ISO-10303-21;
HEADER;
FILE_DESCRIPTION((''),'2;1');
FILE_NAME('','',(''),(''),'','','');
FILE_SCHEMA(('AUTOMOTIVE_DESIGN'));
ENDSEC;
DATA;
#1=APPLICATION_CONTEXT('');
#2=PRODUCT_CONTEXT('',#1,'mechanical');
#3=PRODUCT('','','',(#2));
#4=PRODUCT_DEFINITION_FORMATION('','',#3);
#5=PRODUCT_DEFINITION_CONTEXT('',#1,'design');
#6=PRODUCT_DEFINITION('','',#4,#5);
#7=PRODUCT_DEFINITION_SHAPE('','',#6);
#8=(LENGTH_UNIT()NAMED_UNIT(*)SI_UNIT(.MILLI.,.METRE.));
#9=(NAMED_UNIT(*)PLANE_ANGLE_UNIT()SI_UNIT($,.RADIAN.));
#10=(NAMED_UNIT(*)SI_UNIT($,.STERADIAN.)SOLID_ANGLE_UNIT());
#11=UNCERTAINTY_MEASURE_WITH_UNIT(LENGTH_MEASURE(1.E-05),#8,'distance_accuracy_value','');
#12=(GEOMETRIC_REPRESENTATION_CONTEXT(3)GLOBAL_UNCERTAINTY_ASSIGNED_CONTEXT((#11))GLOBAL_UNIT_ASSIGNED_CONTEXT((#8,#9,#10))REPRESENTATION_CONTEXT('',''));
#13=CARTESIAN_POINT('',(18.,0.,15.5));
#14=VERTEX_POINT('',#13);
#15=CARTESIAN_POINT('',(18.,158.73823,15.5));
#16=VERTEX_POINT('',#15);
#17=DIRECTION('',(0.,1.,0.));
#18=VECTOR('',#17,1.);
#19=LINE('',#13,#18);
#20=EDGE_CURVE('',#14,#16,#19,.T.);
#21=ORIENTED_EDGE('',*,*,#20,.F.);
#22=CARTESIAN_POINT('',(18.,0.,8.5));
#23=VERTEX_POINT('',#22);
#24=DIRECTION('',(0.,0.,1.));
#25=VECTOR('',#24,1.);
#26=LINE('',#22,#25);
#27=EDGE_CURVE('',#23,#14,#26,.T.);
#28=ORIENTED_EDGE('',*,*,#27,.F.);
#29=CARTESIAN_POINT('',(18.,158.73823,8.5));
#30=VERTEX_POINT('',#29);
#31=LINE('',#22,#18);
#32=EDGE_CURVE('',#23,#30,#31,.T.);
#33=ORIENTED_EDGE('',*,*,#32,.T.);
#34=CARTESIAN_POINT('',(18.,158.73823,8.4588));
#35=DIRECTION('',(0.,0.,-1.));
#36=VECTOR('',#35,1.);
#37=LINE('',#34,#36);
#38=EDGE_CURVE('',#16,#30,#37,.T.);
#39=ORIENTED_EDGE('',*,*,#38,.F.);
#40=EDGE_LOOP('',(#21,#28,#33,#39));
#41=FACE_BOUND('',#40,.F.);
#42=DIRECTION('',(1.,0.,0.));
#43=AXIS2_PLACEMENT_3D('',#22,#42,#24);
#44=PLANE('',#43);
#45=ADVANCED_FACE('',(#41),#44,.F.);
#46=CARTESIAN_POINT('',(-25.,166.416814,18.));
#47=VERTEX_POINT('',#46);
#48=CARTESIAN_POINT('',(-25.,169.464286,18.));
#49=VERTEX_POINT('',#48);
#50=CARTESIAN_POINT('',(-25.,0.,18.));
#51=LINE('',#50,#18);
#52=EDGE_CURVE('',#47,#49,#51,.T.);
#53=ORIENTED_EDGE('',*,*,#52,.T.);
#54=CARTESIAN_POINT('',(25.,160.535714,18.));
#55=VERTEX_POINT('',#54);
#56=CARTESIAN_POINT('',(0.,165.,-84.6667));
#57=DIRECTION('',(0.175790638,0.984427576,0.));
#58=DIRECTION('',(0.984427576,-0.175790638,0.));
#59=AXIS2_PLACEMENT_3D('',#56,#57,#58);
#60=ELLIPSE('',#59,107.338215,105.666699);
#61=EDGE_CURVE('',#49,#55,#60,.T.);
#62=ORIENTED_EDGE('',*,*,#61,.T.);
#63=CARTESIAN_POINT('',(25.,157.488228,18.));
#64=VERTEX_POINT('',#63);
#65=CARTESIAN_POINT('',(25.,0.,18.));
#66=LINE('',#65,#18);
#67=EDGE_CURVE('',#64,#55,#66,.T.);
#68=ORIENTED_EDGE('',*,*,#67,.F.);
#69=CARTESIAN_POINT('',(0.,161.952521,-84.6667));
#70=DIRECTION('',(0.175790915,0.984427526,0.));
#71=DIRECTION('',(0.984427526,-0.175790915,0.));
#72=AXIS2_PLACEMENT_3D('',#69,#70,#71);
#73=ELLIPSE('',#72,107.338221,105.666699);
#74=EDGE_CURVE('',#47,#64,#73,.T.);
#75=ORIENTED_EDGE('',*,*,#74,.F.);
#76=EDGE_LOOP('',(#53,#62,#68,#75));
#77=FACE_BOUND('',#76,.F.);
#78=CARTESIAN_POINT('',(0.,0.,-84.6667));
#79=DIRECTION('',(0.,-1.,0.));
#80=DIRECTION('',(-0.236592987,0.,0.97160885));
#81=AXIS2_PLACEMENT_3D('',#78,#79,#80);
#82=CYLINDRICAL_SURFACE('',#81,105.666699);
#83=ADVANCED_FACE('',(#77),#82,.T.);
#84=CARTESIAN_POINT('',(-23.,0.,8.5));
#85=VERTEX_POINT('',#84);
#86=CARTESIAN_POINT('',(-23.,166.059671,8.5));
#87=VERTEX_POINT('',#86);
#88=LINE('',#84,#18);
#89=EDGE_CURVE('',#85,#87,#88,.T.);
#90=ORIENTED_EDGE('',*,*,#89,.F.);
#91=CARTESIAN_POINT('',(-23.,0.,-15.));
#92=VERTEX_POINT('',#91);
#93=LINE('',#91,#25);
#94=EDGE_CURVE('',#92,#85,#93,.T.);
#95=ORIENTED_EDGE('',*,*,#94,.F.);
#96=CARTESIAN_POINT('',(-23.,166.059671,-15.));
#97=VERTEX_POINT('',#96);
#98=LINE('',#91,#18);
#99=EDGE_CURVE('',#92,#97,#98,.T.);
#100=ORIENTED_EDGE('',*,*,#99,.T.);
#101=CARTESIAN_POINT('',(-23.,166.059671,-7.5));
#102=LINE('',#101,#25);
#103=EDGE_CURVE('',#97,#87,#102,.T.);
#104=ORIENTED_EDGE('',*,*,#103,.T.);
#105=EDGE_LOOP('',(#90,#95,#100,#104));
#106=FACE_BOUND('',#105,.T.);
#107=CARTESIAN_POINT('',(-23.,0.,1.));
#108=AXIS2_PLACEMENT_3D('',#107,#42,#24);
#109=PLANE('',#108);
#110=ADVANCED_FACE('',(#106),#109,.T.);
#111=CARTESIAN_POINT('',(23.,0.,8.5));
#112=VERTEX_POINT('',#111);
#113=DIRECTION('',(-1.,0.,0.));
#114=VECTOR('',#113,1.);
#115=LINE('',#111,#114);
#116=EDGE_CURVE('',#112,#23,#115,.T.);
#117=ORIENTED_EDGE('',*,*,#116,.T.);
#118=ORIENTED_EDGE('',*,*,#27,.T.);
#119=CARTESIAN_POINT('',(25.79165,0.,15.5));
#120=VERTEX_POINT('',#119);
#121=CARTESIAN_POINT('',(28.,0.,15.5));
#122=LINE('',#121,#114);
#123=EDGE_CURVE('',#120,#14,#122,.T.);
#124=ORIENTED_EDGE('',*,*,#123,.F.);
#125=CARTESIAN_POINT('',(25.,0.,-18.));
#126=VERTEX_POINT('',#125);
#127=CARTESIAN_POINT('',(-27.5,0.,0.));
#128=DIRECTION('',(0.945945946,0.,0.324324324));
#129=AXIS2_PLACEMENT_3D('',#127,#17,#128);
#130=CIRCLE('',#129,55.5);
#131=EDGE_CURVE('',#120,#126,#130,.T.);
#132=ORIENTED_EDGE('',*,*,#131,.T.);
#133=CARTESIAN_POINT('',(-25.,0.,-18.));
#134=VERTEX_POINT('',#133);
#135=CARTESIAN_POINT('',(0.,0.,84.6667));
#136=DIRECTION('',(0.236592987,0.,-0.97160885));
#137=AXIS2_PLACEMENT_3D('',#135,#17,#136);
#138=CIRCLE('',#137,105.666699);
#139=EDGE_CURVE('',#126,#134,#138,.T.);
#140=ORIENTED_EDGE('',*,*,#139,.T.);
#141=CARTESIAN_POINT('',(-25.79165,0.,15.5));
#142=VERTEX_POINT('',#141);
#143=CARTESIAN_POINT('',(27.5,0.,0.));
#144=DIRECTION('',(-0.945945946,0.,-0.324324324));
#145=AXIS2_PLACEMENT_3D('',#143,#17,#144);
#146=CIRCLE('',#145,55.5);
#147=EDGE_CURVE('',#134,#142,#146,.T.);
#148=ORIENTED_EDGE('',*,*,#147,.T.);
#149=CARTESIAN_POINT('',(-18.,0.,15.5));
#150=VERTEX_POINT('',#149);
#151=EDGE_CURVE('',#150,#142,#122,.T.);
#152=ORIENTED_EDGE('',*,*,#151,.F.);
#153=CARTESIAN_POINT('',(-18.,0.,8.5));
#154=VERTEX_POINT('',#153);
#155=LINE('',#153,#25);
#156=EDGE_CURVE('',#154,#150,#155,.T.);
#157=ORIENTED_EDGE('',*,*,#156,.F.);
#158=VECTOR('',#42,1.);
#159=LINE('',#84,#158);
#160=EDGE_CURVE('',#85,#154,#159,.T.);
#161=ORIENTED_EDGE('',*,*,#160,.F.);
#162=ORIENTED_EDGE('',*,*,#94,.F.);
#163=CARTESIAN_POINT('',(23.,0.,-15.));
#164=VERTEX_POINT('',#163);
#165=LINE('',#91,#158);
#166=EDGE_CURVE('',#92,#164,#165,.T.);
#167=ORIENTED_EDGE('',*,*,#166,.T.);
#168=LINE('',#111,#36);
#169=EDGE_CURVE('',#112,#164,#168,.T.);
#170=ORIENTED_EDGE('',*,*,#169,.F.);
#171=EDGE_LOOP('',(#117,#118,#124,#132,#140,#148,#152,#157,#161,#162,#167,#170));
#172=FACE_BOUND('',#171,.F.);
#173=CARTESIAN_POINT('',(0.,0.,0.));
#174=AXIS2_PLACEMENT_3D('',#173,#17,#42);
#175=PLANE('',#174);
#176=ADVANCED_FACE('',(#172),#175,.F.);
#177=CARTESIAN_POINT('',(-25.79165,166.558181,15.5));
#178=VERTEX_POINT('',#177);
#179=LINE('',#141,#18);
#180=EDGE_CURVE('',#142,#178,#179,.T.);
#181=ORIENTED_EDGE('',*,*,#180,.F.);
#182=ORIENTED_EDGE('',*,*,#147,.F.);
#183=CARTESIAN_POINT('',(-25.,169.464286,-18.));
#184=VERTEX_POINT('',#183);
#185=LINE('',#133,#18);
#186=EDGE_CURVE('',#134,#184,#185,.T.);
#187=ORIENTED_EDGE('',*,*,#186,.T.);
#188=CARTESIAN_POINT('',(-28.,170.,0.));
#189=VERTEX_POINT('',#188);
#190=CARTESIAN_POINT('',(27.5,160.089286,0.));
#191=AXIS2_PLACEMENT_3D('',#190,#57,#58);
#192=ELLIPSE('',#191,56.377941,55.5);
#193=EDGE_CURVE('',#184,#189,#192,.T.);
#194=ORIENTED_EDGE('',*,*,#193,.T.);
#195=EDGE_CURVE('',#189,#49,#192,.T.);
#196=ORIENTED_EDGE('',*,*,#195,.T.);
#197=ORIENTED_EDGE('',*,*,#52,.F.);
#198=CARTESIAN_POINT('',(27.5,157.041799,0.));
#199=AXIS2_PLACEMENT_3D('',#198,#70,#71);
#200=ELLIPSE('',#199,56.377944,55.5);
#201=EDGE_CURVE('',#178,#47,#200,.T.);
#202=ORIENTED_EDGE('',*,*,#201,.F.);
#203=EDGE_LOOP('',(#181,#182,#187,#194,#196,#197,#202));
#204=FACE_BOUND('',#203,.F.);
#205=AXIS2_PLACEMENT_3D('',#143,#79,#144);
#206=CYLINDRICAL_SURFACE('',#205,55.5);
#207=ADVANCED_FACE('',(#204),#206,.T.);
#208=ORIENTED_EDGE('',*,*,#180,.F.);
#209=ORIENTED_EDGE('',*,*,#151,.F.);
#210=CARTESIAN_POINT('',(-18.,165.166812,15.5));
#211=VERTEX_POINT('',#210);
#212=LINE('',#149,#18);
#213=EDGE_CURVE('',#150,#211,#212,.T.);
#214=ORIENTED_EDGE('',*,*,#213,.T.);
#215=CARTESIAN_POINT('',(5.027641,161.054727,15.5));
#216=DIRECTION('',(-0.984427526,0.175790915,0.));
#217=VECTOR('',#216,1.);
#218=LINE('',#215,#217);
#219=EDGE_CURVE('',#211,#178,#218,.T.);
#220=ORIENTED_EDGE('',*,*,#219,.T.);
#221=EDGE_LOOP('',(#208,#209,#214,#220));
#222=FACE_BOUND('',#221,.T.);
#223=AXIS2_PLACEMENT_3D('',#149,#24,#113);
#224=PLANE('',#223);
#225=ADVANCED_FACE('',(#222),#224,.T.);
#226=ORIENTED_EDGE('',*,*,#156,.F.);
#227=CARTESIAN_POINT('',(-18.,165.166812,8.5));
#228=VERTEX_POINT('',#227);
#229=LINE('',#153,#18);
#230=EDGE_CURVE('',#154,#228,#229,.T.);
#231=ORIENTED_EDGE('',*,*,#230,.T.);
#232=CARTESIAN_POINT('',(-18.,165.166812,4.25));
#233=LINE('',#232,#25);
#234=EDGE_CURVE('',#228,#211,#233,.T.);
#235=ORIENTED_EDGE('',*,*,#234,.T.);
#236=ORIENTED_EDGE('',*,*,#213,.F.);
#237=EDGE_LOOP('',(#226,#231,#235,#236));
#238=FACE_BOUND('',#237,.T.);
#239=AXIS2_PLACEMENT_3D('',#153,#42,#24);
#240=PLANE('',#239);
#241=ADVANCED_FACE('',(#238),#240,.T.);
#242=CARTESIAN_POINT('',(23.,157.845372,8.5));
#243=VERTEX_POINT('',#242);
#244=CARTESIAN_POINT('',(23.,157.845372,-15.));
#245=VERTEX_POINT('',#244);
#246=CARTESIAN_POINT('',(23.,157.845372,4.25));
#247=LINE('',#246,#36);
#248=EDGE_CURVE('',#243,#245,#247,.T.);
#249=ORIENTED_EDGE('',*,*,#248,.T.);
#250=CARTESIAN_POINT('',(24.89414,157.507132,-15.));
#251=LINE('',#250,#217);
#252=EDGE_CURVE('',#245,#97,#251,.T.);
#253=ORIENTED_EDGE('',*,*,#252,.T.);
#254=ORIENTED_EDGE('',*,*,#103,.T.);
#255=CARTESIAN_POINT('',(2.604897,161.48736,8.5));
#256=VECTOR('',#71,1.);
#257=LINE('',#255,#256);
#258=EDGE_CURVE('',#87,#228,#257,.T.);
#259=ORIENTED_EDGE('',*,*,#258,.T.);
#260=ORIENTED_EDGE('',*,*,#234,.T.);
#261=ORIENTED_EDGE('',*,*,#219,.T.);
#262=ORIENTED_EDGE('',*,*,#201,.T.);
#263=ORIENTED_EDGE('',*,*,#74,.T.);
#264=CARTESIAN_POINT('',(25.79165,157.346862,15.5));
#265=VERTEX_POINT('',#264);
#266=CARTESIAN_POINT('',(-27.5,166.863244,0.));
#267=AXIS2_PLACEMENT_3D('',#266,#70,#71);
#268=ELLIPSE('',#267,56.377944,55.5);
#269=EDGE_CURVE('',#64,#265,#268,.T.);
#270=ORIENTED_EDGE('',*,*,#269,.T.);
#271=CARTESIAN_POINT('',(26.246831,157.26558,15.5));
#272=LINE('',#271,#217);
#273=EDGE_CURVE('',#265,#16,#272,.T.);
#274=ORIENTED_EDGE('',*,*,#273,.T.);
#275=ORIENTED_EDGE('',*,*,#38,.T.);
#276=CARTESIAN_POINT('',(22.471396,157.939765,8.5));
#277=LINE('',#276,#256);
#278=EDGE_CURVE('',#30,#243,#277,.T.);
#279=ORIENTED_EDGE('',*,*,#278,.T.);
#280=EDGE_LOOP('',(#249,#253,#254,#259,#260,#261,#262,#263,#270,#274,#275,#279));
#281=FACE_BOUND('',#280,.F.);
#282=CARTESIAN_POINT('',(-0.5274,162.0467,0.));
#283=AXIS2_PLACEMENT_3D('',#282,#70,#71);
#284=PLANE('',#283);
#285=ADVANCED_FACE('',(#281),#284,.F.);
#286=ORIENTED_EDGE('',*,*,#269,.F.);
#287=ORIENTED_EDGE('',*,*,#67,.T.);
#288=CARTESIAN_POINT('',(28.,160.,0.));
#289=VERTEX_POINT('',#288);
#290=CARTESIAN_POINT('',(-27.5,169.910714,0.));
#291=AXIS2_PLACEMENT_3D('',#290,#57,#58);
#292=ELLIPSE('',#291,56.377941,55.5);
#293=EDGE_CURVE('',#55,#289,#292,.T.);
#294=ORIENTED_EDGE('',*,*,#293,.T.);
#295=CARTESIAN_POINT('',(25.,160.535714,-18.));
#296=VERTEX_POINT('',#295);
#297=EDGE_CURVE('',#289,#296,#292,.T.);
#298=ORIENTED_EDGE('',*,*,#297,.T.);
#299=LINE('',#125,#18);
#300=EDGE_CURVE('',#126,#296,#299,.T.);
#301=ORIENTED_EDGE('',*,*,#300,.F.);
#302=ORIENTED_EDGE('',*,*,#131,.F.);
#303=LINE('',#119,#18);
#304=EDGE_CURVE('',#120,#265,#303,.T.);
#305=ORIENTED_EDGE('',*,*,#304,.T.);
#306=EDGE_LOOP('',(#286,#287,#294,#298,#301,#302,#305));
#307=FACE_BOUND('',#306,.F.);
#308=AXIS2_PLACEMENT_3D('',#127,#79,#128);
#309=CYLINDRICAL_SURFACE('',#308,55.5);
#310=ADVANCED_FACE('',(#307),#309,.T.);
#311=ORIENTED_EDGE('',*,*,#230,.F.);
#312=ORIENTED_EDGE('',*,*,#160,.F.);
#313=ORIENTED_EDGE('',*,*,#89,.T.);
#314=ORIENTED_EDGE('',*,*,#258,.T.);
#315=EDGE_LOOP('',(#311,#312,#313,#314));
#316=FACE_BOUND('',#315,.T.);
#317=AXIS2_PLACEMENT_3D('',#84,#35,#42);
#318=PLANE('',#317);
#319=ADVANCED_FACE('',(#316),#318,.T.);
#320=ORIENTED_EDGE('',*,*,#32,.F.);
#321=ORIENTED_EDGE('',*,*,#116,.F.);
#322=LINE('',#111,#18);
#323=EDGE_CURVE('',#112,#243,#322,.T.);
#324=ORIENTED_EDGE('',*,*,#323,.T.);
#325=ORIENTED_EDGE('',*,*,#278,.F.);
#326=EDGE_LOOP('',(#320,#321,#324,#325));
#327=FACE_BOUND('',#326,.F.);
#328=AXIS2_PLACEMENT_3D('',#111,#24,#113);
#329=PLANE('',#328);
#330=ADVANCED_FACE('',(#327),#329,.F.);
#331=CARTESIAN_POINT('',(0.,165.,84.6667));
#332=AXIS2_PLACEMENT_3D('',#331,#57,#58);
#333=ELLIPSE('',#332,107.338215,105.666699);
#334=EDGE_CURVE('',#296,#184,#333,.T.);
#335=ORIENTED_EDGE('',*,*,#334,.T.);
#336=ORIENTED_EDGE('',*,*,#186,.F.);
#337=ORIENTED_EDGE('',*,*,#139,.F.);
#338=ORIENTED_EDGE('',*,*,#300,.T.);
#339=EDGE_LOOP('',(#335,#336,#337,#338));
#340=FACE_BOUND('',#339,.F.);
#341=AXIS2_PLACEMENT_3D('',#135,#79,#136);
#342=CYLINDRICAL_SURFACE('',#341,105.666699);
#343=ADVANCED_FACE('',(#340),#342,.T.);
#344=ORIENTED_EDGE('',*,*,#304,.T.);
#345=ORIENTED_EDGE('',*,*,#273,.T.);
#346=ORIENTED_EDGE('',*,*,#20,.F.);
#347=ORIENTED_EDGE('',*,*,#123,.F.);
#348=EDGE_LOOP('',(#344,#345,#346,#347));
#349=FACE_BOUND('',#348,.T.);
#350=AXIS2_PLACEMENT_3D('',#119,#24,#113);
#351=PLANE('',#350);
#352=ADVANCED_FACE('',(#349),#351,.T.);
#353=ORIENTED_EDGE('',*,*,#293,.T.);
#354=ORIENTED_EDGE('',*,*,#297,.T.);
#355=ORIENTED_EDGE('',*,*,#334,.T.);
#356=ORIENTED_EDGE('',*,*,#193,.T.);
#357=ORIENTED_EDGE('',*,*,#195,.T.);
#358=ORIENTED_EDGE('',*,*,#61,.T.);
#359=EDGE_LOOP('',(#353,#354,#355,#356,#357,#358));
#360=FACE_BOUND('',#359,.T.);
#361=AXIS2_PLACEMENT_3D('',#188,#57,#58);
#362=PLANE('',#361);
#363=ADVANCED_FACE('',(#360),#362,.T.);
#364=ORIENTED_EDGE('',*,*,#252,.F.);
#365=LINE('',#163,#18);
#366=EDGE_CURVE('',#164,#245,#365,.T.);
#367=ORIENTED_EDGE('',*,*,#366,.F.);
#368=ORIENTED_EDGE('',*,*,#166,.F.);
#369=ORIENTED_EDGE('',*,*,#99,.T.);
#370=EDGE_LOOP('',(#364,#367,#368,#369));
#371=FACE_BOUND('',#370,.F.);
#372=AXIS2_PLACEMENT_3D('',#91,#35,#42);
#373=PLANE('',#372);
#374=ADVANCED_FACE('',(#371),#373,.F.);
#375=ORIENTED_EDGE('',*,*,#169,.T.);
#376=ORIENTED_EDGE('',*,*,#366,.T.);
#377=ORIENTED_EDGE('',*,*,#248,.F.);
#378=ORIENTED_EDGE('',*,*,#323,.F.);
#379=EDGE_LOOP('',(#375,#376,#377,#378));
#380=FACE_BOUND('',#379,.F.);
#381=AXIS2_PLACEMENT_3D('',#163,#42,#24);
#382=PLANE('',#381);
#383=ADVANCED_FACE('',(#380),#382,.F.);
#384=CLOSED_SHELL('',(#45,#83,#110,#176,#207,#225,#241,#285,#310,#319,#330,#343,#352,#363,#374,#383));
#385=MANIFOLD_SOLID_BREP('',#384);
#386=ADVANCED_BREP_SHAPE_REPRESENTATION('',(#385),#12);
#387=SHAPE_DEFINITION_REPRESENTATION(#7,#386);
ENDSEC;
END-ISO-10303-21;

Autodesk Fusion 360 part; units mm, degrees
sketch "Sketch1" plane through (0, 0, 0) normal (0, 1, 0) x (1, 0, 0)
  line L0 (25, 18) -> (-25, 18) construction
  line L1 (-25, 18) -> (-25, -18) construction
  line L2 (-25, -18) -> (25, -18) construction
  line L3 (25, -18) -> (25, 18) construction
  line L4 (25, 18) -> (-25, -18) construction
  line L5 (-25, 18) -> (25, -18) construction
  arc A0 (25, 18) -> (-25, 18) centre (0, -84.6667) ccw
  arc A1 (-25, -18) -> (25, -18) centre (0, 84.6667) ccw
  arc A2 (25, -18) -> (25, 18) centre (-27.5, 0) ccw
  arc A3 (-25, 18) -> (-25, -18) centre (27.5, 0) ccw
  arc A4 (-23.0621, -15.8893) -> (23.0621, -15.8893) centre (0, 84.6667) ccw
  arc A5 (23.0621, -15.8893) -> (23.0621, 15.8893) centre (-27.5, 0) ccw
  arc A6 (23.0621, 15.8893) -> (-23.0621, 15.8893) centre (0, -84.6667) ccw
  arc A7 (-23.0621, 15.8893) -> (-23.0621, -15.8893) centre (27.5, 0) ccw
  dimension "d1" = 50
  dimension "d2" = 36
  dimension "d3" = 42
  dimension "d4" = 56
  dimension "d5" = 2.5
extrude "Extrude1" add sketch "Sketch1" along normal blind 170
sketch "Sketch3" plane through (0, 0, 0) normal (0, -1, 0) x (-1, 0, 0)
  arc A0 (23.0621, -15.8893) -> (23.0621, 15.8893) centre (-27.5, 0) ccw
  arc A1 (-23.0621, -15.8893) -> (23.0621, -15.8893) centre (0, 84.6667) ccw
  arc A2 (-23.0621, 15.8893) -> (-23.0621, -15.8893) centre (27.5, 0) ccw
  arc A3 (23.0621, 15.8893) -> (-23.0621, 15.8893) centre (0, -84.6667) ccw
  arc A4 (25, -18) -> (25, 18) centre (-27.5, 0) ccw
  arc A5 (25, 18) -> (-25, 18) centre (0, -84.6667) ccw
  arc A6 (-25, 18) -> (-25, -18) centre (27.5, 0) ccw
  arc A7 (-25, -18) -> (25, -18) centre (0, 84.6667) ccw
  line L0 (-23, -1) -> (23, -1)
  line L1 (23, -1) -> (23, 15)
  line L2 (23, 15) -> (-23, 15)
  line L3 (-23, 15) -> (-23, -1)
  line L4 (-23, -1) -> (23, 15) construction
  line L5 (23, -1) -> (-23, 15) construction
  arc A8 (23.0621, -15.8893) -> (23.0621, 15.8893) centre (-27.5, 0) ccw
  arc A9 (-23.0621, -15.8893) -> (23.0621, -15.8893) centre (0, 84.6667) ccw
  arc A10 (-23.0621, 15.8893) -> (-23.0621, -15.8893) centre (27.5, 0) ccw
  arc A11 (23.0621, 15.8893) -> (-23.0621, 15.8893) centre (0, -84.6667) ccw
  arc A12 (25, -18) -> (25, 18) centre (-27.5, 0) ccw
  arc A13 (25, 18) -> (-25, 18) centre (0, -84.6667) ccw
  arc A14 (-25, 18) -> (-25, -18) centre (27.5, 0) ccw
  arc A15 (-25, -18) -> (25, -18) centre (0, 84.6667) ccw
  arc A16 (23.0621, -15.8893) -> (23.0621, 15.8893) centre (-27.5, 0) ccw
  arc A17 (23.0621, 15.8893) -> (-23.0621, 15.8893) centre (0, -84.6667) ccw
  arc A18 (-23.0621, 15.8893) -> (-23.0621, -15.8893) centre (27.5, 0) ccw
  arc A19 (-23.0621, -15.8893) -> (23.0621, -15.8893) centre (0, 84.6667) ccw
  arc A20 (25, -18) -> (25, 18) centre (-27.5, 0) ccw
  arc A21 (-25, -18) -> (25, -18) centre (0, 84.6667) ccw
  arc A22 (-25, 18) -> (-25, -18) centre (27.5, 0) ccw
  arc A23 (25, 18) -> (-25, 18) centre (0, -84.6667) ccw
  line L6 (23, -1) -> (23, -8.5)
  line L7 (23, -8.5) -> (18, -8.5)
  line L8 (18, -8.5) -> (18, -16.9176)
  line L9 (-23, -1) -> (-23, -8.5)
  line L10 (-23, -8.5) -> (-18, -8.5)
  line L11 (-18, -8.5) -> (-18, -16.9176)
  dimension "d10" = 16
  dimension "d11" = 46
  dimension "d12" = 6
  dimension "d33" = 23.5
  dimension "d34" = 36
extrude "Extrude3" add sketch "Sketch3" against normal blind 170 contours A0 A1 A2 A3 L1 L2 L3 A8 A9 A10 A11 A16 A17 A18 A19 L6 L7 L8 L9 L10 L11
ref_plane "WorkPlane4" through (0, 150, 0) normal (0, 1, 0) x (0, 0, 1)
sketch "Sketch11" plane through (0, 150, 0) normal (0, 1, 0) x (1, 0, 0)
  line L0 (-18, -16.9176) -> (-18, -8.5)
  line L1 (-18, -8.5) -> (-23, -8.5)
  line L2 (-23, -8.5) -> (-23, 15)
  line L3 (-23, 15) -> (23, 15)
  line L4 (23, 15) -> (23, -8.5)
  line L5 (23, -8.5) -> (18, -8.5)
  line L6 (18, -8.5) -> (18, -16.9176)
  arc A0 (-18, -16.9176) -> (18, -16.9176) centre (0, 84.6667) ccw
  arc A1 (-25, 18) -> (-25, -18) centre (27.5, 0) ccw
  arc A2 (-25, -18) -> (25, -18) centre (0, 84.6667) ccw
  arc A3 (25, -18) -> (25, 18) centre (-27.5, 0) ccw
  arc A4 (25, 18) -> (-25, 18) centre (0, -84.6667) ccw
extrude "Extrude8" add sketch "Sketch11" along normal up to surface (20 mm away) contours L0 L1 L2 L3 L4 L5 L6 A0
sketch "Sketch8" plane through (0, 0, 0) normal (0, 0, 1) x (1, 0, 0)
  line L0 (-28, 170) -> (28, 160)
  line L1 (25, 0) -> (25, 170)
  line L2 (28, 160) -> (28, 210.2672)
  line L3 (28, 210.2672) -> (-28, 210.2672)
  line L4 (-28, 210.2672) -> (-28, 170)
  line L5 (28, 0) -> (25, 0)
  line L6 (-25, 0) -> (-28, 0)
  dimension "d35" = 160
  dimension "d36" = 170
extrude "Extrude7" cut sketch "Sketch8" along normal through all and the other way through all
ref_plane "WorkPlane3" through (-0.5274, 162.0467, 0) normal (0.1758, 0.9844, 0) x (-0.9844, 0.1758, 0)
sketch "Sketch12" plane through (0, 0, 0) normal (0, -1, 0) x (1, 0, 0)
  arc A0 (18, 16.9176) -> (-18, 16.9176) centre (0, -84.6667) ccw
  line L0 (18, 16.9176) -> (18, 8.5)
  line L1 (18, 8.5) -> (23, 8.5)
  line L2 (23, 8.5) -> (23, -15)
  line L3 (23, -15) -> (-23, -15)
  line L4 (-23, -15) -> (-23, 8.5)
  line L5 (-23, 8.5) -> (-18, 8.5)
  line L6 (-18, 8.5) -> (-18, 16.9176)
  arc A1 (-25, 18) -> (-25, -18) centre (27.5, 0) ccw
  arc A2 (-25, -18) -> (25, -18) centre (0, 84.6667) ccw
  arc A3 (25, -18) -> (25, 18) centre (-27.5, 0) ccw
  arc A4 (25, 18) -> (-25, 18) centre (0, -84.6667) ccw
extrude "Extrude9" cut sketch "Sketch12" along normal up to surface contours A0 L0 L1 L2 L3 L4 L5 L6 end surface through (-0.5274, 162.0467, 0) normal (0.175791, 0.984428, 0) offset 0
sketch "Sketch9" plane through (0, 0, 0) normal (0, -1, 0) x (1, 0, 0)
  arc A0 (18, 16.9176) -> (-18, 16.9176) centre (0, -84.6667) ccw
  line L0 (18, 16.9176) -> (18, 8.5)
  line L1 (18, 8.5) -> (23, 8.5)
  line L2 (23, 8.5) -> (23, -15)
  line L3 (23, -15) -> (-23, -15)
  line L4 (-23, -15) -> (-23, 8.5)
  line L5 (-23, 8.5) -> (-18, 8.5)
  line L6 (-18, 8.5) -> (-18, 16.9176)
  arc A1 (-25, 18) -> (-25, -18) centre (27.5, 0) ccw
  arc A2 (-25, -18) -> (25, -18) centre (0, 84.6667) ccw
  arc A3 (25, -18) -> (25, 18) centre (-27.5, 0) ccw
  arc A4 (25, 18) -> (-25, 18) centre (0, -84.6667) ccw
  line L7 (-33, 32.4232) -> (28, 32.4232)
  line L8 (28, 32.4232) -> (28, 15.5)
  line L9 (28, 15.5) -> (-33, 15.5)
  line L10 (-33, 15.5) -> (-33, 32.4232)
  dimension "d39" = 7
extrude "Extrude10" cut sketch "Sketch9" along normal up to surface contours A0 L0 L6 A1 A3 A4 L9 end surface through (-0.5274, 162.0467, 0) normal (0.175791, 0.984428, 0) offset 0
